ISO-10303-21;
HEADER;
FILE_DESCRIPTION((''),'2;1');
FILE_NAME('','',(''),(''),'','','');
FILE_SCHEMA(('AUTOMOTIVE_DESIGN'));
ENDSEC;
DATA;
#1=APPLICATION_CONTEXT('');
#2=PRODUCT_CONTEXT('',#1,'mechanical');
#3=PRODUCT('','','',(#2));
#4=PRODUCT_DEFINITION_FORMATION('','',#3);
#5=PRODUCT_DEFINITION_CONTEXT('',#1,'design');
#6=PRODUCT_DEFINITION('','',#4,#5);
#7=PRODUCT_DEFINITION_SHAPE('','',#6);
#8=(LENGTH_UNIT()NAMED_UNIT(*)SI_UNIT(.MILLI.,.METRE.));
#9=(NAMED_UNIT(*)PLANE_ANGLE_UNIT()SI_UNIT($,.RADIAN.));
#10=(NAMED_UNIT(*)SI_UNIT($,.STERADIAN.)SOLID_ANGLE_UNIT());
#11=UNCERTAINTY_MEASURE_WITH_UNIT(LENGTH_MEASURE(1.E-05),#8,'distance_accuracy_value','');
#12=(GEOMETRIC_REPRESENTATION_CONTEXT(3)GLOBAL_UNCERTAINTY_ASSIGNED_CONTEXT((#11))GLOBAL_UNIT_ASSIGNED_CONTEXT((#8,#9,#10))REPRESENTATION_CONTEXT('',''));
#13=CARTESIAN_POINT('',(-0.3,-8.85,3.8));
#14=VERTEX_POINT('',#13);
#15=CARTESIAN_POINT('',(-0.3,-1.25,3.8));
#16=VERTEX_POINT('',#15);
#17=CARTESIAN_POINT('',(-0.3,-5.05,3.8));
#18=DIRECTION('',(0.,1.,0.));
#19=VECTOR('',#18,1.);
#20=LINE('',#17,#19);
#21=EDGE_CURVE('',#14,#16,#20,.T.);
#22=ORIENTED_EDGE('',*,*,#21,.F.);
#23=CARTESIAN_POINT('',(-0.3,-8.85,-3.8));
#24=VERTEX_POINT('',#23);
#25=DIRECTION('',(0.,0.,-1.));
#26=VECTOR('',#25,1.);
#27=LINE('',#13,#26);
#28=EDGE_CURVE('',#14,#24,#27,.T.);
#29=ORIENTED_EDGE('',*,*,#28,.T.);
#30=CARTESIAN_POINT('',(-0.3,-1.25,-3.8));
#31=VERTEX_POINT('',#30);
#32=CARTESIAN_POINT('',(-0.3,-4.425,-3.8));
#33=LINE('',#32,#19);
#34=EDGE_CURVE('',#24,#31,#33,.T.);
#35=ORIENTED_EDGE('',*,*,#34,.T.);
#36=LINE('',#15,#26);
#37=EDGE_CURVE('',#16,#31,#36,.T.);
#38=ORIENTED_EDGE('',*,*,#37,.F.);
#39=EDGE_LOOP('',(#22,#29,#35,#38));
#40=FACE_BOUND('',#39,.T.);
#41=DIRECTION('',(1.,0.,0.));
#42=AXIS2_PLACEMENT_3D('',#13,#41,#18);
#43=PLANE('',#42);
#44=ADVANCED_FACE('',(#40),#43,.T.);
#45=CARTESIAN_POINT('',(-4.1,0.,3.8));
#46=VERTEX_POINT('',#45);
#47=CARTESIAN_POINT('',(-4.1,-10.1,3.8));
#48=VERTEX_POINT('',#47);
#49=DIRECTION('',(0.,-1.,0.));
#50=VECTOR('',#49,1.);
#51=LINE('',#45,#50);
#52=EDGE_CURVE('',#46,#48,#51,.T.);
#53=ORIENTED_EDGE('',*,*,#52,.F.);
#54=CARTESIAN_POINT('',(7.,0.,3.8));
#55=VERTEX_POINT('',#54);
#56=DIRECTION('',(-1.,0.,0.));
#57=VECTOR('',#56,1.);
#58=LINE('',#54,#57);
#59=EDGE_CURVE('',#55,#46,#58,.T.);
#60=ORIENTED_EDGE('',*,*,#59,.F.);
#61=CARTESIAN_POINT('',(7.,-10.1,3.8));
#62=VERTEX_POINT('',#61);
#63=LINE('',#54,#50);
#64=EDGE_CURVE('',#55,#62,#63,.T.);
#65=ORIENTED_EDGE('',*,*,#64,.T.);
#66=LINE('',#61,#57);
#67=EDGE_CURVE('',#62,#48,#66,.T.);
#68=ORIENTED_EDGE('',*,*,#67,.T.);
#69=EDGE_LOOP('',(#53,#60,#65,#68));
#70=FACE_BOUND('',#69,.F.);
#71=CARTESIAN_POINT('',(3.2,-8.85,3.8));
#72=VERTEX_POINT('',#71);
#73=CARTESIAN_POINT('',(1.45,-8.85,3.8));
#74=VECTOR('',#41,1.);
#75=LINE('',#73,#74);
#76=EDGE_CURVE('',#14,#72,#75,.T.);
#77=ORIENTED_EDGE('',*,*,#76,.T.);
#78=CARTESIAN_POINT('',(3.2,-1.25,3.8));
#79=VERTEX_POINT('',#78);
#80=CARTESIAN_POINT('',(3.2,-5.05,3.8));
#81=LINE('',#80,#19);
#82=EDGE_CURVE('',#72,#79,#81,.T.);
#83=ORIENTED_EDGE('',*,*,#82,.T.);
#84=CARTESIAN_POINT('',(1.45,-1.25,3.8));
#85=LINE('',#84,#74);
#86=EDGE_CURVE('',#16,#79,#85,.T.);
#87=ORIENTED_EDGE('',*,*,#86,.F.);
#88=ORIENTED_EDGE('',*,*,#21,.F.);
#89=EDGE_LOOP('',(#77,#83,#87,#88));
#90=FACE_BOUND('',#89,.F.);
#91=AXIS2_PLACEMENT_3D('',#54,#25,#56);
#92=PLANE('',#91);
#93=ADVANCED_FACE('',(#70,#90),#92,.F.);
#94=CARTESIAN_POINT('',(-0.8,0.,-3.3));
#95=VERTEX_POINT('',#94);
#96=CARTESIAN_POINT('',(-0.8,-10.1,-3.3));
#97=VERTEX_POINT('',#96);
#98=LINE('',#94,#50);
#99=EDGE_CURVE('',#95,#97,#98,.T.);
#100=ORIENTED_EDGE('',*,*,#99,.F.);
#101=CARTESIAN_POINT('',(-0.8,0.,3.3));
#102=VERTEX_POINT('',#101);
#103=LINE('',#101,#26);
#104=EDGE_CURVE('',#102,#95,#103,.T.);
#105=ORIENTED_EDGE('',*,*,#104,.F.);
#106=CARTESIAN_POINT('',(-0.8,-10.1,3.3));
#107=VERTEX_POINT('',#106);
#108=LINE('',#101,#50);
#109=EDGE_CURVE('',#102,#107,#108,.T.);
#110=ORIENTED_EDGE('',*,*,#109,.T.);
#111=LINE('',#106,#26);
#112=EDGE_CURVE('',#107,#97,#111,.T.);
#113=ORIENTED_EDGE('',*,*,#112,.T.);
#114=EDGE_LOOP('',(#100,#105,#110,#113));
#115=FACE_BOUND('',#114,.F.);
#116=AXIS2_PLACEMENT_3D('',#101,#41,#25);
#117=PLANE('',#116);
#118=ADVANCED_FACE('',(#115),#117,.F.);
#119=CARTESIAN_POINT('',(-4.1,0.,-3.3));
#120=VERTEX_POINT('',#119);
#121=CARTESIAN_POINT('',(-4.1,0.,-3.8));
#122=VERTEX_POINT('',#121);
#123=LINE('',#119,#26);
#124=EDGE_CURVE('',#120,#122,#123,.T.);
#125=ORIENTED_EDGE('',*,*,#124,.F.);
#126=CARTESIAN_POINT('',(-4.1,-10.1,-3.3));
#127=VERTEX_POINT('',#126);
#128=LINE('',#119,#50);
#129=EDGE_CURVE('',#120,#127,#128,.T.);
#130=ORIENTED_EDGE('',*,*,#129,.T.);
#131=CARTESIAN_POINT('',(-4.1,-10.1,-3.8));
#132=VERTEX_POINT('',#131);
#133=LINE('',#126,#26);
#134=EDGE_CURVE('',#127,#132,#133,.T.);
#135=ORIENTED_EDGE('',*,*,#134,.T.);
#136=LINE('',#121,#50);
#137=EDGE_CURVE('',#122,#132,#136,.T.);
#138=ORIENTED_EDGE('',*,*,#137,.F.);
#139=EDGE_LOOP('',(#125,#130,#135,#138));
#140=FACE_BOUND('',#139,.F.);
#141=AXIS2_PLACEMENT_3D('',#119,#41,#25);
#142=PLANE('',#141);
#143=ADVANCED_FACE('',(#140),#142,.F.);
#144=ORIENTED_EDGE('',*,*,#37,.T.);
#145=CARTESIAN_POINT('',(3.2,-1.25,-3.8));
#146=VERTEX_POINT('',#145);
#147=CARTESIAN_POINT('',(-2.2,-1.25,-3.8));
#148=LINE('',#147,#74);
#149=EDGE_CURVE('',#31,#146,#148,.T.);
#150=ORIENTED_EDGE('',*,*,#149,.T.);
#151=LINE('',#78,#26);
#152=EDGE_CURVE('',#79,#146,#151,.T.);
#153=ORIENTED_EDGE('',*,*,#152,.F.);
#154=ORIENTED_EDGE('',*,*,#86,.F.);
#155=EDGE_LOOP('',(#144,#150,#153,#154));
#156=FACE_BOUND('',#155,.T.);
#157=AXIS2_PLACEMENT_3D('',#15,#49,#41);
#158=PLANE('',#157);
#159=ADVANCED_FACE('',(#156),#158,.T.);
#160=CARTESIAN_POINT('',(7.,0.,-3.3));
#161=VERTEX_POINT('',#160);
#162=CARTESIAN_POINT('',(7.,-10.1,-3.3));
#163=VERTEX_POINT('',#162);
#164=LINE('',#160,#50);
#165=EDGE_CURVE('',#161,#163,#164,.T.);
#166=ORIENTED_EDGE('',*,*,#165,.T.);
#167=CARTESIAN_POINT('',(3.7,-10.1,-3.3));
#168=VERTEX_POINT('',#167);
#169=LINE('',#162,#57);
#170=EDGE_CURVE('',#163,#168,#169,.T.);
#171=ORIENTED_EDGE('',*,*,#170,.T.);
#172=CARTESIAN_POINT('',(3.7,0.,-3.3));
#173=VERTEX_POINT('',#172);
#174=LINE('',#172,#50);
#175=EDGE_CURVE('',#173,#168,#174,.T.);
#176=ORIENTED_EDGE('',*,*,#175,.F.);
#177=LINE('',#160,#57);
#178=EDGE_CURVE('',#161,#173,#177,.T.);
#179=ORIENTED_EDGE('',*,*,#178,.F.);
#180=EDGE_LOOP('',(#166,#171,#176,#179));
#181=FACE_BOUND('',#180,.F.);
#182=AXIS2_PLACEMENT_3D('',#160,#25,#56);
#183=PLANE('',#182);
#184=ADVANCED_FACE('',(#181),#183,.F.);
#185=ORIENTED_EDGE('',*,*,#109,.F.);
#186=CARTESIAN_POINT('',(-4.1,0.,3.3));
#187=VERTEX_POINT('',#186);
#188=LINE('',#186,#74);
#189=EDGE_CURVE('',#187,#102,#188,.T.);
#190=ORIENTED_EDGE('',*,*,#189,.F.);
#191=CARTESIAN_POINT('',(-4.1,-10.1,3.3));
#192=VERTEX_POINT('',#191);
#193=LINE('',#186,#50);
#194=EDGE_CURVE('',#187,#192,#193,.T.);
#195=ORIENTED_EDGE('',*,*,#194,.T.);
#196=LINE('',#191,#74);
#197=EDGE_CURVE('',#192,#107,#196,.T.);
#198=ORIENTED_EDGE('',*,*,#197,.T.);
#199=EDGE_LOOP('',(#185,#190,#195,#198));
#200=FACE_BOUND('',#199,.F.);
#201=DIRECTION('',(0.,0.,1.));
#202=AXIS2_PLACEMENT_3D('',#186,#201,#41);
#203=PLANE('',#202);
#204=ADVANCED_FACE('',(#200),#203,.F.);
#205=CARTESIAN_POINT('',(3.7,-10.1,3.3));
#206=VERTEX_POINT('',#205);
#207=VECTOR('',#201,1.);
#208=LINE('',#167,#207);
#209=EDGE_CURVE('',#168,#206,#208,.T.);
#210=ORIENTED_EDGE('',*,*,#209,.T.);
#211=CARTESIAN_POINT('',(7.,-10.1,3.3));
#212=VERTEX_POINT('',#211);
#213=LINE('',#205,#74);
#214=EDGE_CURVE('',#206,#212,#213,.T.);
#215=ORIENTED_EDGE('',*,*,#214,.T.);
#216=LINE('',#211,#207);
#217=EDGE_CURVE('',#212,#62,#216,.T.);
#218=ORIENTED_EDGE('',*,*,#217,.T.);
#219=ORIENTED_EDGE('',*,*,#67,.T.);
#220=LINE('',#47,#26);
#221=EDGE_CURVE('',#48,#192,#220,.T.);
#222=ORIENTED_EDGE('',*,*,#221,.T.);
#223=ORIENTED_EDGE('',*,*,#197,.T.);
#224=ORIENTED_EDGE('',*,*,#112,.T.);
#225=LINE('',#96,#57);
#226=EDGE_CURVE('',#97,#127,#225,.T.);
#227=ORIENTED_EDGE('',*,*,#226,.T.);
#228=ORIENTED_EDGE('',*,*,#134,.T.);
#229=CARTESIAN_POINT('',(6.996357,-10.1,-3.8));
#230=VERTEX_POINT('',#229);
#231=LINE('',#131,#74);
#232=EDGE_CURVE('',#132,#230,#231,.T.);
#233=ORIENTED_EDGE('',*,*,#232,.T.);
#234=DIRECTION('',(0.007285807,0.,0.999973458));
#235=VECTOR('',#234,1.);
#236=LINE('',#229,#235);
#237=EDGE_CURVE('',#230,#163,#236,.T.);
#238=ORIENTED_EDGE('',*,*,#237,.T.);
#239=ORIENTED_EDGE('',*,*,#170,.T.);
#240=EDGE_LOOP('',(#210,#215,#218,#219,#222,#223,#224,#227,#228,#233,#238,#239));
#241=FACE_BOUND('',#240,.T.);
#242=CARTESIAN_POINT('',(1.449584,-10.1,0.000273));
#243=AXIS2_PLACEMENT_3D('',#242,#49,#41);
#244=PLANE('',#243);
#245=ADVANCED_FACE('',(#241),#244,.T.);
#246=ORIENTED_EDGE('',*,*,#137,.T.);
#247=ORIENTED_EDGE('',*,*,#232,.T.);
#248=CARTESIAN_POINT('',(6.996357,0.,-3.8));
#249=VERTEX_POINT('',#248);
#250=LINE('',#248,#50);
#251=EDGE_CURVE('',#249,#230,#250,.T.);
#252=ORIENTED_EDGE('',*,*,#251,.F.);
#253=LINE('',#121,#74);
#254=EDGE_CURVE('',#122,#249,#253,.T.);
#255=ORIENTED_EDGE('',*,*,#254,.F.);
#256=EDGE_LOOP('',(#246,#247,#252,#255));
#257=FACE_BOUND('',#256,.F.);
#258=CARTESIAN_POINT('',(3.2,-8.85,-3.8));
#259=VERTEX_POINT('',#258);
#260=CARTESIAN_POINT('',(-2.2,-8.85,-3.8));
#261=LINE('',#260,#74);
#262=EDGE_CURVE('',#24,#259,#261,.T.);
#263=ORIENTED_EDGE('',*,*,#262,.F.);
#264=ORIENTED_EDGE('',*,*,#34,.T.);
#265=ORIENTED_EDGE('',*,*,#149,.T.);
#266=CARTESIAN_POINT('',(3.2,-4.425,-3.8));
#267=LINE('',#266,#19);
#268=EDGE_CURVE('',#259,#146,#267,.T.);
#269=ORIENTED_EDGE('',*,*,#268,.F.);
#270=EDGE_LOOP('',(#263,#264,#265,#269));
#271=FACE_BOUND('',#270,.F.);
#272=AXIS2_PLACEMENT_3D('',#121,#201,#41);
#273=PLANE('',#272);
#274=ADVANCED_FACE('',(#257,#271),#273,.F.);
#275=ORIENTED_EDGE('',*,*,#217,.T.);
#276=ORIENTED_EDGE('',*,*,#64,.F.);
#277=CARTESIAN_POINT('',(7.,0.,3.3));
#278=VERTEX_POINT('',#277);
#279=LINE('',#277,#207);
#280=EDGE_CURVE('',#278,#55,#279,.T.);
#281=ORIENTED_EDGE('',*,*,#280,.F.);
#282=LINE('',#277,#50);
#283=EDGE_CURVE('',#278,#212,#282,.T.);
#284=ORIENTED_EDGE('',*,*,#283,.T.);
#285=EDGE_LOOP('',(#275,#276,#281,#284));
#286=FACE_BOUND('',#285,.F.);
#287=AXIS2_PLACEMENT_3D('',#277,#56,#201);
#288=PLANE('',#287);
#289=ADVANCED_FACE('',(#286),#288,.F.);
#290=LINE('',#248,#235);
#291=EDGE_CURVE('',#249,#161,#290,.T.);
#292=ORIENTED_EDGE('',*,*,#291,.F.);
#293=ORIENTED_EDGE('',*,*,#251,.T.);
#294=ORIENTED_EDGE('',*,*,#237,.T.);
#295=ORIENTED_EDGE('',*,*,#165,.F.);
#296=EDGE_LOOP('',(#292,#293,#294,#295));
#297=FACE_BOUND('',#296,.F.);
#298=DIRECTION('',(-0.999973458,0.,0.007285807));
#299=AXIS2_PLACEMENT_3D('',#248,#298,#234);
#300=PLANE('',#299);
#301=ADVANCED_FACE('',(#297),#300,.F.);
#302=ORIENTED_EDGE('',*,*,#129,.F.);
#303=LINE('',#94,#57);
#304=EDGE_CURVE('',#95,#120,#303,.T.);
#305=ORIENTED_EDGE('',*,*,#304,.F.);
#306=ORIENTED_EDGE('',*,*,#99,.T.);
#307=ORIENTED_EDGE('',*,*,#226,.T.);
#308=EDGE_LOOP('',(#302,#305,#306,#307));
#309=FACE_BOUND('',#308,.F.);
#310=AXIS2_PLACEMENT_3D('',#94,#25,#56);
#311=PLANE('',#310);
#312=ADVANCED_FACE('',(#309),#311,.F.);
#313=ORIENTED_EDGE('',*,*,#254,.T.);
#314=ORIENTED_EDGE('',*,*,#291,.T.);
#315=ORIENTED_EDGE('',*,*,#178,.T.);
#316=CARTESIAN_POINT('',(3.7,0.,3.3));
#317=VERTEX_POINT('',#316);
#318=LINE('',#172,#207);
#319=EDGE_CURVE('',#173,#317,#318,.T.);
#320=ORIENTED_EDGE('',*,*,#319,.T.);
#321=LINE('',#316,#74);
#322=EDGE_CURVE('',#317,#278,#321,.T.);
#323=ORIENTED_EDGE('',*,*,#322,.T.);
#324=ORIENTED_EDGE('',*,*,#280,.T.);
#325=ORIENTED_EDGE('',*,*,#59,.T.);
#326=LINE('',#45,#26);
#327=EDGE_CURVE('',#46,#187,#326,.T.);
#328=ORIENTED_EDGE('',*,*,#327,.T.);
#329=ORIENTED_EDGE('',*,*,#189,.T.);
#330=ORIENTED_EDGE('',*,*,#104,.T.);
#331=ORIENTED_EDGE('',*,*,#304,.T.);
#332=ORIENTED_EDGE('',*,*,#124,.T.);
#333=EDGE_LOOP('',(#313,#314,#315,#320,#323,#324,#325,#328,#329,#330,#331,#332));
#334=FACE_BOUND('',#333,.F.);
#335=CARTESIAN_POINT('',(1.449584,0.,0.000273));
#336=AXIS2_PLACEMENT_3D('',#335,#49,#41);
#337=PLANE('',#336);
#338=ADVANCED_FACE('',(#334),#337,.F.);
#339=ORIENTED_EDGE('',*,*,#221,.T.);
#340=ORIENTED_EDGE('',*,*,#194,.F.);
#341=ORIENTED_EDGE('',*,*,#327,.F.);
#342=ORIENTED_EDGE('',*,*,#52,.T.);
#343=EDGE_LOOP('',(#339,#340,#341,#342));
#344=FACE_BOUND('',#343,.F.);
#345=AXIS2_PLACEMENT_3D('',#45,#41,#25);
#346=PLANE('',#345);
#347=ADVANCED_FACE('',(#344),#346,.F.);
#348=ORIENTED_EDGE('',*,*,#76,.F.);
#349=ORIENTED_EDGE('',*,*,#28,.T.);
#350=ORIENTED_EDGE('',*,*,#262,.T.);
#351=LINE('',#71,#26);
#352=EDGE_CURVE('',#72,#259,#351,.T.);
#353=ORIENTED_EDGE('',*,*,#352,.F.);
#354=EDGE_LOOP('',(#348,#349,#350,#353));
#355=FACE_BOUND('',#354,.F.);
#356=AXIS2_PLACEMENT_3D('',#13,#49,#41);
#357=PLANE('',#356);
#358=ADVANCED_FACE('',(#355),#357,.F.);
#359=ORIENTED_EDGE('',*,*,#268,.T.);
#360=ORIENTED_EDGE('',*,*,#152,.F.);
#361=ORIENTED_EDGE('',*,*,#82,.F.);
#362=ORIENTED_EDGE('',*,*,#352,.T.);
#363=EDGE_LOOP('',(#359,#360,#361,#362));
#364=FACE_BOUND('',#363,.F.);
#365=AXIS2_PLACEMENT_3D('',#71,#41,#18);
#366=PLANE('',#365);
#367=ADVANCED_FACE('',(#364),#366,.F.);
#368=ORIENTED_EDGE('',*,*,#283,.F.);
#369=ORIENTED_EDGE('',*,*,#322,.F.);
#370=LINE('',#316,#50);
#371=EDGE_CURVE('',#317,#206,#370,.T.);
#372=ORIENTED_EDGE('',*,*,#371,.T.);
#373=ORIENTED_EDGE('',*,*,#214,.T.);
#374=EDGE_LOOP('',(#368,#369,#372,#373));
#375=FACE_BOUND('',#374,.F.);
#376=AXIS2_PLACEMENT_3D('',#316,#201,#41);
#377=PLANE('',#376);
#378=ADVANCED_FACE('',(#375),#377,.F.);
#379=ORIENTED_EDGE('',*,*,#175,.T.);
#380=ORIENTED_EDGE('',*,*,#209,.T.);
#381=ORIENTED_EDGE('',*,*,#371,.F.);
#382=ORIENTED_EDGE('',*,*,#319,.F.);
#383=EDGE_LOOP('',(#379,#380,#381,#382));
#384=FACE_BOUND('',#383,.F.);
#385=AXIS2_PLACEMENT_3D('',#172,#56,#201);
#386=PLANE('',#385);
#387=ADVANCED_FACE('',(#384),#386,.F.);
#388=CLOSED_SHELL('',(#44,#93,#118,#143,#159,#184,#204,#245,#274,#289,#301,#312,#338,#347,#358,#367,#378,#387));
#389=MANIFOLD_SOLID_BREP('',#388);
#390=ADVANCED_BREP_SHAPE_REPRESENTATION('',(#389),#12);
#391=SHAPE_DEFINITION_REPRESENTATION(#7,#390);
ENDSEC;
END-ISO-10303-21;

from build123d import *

# Parameters (mm, degrees)
F1_DEPTH = 10.1
F2_W     = 3.5
F2_H     = 7.6
F3_DEPTH = 10


with BuildPart() as f1:
    # F0 (on Front) → F1 (new body)
    with BuildSketch(Plane.XZ):
        Polygon((-4.1, 3.3), (-0.8, 3.3), (-0.8, -3.3), (-4.1, -3.3), (-4.1, -3.8), (6.996357, -3.8), (7, -3.3), (3.7, -3.3), (3.7, 3.3), (7, 3.3), (7, 3.8), (-4.1, 3.8), align=None)
    extrude(amount=F1_DEPTH)

    # F2 (on face) → F3 (cut)
    with BuildSketch(Plane.XY.offset(3.8)):
        with Locations((1.45, -5.05)):
            Rectangle(F2_W, F2_H)
    extrude(amount=-F3_DEPTH, mode=Mode.SUBTRACT)


solid = f1.part
